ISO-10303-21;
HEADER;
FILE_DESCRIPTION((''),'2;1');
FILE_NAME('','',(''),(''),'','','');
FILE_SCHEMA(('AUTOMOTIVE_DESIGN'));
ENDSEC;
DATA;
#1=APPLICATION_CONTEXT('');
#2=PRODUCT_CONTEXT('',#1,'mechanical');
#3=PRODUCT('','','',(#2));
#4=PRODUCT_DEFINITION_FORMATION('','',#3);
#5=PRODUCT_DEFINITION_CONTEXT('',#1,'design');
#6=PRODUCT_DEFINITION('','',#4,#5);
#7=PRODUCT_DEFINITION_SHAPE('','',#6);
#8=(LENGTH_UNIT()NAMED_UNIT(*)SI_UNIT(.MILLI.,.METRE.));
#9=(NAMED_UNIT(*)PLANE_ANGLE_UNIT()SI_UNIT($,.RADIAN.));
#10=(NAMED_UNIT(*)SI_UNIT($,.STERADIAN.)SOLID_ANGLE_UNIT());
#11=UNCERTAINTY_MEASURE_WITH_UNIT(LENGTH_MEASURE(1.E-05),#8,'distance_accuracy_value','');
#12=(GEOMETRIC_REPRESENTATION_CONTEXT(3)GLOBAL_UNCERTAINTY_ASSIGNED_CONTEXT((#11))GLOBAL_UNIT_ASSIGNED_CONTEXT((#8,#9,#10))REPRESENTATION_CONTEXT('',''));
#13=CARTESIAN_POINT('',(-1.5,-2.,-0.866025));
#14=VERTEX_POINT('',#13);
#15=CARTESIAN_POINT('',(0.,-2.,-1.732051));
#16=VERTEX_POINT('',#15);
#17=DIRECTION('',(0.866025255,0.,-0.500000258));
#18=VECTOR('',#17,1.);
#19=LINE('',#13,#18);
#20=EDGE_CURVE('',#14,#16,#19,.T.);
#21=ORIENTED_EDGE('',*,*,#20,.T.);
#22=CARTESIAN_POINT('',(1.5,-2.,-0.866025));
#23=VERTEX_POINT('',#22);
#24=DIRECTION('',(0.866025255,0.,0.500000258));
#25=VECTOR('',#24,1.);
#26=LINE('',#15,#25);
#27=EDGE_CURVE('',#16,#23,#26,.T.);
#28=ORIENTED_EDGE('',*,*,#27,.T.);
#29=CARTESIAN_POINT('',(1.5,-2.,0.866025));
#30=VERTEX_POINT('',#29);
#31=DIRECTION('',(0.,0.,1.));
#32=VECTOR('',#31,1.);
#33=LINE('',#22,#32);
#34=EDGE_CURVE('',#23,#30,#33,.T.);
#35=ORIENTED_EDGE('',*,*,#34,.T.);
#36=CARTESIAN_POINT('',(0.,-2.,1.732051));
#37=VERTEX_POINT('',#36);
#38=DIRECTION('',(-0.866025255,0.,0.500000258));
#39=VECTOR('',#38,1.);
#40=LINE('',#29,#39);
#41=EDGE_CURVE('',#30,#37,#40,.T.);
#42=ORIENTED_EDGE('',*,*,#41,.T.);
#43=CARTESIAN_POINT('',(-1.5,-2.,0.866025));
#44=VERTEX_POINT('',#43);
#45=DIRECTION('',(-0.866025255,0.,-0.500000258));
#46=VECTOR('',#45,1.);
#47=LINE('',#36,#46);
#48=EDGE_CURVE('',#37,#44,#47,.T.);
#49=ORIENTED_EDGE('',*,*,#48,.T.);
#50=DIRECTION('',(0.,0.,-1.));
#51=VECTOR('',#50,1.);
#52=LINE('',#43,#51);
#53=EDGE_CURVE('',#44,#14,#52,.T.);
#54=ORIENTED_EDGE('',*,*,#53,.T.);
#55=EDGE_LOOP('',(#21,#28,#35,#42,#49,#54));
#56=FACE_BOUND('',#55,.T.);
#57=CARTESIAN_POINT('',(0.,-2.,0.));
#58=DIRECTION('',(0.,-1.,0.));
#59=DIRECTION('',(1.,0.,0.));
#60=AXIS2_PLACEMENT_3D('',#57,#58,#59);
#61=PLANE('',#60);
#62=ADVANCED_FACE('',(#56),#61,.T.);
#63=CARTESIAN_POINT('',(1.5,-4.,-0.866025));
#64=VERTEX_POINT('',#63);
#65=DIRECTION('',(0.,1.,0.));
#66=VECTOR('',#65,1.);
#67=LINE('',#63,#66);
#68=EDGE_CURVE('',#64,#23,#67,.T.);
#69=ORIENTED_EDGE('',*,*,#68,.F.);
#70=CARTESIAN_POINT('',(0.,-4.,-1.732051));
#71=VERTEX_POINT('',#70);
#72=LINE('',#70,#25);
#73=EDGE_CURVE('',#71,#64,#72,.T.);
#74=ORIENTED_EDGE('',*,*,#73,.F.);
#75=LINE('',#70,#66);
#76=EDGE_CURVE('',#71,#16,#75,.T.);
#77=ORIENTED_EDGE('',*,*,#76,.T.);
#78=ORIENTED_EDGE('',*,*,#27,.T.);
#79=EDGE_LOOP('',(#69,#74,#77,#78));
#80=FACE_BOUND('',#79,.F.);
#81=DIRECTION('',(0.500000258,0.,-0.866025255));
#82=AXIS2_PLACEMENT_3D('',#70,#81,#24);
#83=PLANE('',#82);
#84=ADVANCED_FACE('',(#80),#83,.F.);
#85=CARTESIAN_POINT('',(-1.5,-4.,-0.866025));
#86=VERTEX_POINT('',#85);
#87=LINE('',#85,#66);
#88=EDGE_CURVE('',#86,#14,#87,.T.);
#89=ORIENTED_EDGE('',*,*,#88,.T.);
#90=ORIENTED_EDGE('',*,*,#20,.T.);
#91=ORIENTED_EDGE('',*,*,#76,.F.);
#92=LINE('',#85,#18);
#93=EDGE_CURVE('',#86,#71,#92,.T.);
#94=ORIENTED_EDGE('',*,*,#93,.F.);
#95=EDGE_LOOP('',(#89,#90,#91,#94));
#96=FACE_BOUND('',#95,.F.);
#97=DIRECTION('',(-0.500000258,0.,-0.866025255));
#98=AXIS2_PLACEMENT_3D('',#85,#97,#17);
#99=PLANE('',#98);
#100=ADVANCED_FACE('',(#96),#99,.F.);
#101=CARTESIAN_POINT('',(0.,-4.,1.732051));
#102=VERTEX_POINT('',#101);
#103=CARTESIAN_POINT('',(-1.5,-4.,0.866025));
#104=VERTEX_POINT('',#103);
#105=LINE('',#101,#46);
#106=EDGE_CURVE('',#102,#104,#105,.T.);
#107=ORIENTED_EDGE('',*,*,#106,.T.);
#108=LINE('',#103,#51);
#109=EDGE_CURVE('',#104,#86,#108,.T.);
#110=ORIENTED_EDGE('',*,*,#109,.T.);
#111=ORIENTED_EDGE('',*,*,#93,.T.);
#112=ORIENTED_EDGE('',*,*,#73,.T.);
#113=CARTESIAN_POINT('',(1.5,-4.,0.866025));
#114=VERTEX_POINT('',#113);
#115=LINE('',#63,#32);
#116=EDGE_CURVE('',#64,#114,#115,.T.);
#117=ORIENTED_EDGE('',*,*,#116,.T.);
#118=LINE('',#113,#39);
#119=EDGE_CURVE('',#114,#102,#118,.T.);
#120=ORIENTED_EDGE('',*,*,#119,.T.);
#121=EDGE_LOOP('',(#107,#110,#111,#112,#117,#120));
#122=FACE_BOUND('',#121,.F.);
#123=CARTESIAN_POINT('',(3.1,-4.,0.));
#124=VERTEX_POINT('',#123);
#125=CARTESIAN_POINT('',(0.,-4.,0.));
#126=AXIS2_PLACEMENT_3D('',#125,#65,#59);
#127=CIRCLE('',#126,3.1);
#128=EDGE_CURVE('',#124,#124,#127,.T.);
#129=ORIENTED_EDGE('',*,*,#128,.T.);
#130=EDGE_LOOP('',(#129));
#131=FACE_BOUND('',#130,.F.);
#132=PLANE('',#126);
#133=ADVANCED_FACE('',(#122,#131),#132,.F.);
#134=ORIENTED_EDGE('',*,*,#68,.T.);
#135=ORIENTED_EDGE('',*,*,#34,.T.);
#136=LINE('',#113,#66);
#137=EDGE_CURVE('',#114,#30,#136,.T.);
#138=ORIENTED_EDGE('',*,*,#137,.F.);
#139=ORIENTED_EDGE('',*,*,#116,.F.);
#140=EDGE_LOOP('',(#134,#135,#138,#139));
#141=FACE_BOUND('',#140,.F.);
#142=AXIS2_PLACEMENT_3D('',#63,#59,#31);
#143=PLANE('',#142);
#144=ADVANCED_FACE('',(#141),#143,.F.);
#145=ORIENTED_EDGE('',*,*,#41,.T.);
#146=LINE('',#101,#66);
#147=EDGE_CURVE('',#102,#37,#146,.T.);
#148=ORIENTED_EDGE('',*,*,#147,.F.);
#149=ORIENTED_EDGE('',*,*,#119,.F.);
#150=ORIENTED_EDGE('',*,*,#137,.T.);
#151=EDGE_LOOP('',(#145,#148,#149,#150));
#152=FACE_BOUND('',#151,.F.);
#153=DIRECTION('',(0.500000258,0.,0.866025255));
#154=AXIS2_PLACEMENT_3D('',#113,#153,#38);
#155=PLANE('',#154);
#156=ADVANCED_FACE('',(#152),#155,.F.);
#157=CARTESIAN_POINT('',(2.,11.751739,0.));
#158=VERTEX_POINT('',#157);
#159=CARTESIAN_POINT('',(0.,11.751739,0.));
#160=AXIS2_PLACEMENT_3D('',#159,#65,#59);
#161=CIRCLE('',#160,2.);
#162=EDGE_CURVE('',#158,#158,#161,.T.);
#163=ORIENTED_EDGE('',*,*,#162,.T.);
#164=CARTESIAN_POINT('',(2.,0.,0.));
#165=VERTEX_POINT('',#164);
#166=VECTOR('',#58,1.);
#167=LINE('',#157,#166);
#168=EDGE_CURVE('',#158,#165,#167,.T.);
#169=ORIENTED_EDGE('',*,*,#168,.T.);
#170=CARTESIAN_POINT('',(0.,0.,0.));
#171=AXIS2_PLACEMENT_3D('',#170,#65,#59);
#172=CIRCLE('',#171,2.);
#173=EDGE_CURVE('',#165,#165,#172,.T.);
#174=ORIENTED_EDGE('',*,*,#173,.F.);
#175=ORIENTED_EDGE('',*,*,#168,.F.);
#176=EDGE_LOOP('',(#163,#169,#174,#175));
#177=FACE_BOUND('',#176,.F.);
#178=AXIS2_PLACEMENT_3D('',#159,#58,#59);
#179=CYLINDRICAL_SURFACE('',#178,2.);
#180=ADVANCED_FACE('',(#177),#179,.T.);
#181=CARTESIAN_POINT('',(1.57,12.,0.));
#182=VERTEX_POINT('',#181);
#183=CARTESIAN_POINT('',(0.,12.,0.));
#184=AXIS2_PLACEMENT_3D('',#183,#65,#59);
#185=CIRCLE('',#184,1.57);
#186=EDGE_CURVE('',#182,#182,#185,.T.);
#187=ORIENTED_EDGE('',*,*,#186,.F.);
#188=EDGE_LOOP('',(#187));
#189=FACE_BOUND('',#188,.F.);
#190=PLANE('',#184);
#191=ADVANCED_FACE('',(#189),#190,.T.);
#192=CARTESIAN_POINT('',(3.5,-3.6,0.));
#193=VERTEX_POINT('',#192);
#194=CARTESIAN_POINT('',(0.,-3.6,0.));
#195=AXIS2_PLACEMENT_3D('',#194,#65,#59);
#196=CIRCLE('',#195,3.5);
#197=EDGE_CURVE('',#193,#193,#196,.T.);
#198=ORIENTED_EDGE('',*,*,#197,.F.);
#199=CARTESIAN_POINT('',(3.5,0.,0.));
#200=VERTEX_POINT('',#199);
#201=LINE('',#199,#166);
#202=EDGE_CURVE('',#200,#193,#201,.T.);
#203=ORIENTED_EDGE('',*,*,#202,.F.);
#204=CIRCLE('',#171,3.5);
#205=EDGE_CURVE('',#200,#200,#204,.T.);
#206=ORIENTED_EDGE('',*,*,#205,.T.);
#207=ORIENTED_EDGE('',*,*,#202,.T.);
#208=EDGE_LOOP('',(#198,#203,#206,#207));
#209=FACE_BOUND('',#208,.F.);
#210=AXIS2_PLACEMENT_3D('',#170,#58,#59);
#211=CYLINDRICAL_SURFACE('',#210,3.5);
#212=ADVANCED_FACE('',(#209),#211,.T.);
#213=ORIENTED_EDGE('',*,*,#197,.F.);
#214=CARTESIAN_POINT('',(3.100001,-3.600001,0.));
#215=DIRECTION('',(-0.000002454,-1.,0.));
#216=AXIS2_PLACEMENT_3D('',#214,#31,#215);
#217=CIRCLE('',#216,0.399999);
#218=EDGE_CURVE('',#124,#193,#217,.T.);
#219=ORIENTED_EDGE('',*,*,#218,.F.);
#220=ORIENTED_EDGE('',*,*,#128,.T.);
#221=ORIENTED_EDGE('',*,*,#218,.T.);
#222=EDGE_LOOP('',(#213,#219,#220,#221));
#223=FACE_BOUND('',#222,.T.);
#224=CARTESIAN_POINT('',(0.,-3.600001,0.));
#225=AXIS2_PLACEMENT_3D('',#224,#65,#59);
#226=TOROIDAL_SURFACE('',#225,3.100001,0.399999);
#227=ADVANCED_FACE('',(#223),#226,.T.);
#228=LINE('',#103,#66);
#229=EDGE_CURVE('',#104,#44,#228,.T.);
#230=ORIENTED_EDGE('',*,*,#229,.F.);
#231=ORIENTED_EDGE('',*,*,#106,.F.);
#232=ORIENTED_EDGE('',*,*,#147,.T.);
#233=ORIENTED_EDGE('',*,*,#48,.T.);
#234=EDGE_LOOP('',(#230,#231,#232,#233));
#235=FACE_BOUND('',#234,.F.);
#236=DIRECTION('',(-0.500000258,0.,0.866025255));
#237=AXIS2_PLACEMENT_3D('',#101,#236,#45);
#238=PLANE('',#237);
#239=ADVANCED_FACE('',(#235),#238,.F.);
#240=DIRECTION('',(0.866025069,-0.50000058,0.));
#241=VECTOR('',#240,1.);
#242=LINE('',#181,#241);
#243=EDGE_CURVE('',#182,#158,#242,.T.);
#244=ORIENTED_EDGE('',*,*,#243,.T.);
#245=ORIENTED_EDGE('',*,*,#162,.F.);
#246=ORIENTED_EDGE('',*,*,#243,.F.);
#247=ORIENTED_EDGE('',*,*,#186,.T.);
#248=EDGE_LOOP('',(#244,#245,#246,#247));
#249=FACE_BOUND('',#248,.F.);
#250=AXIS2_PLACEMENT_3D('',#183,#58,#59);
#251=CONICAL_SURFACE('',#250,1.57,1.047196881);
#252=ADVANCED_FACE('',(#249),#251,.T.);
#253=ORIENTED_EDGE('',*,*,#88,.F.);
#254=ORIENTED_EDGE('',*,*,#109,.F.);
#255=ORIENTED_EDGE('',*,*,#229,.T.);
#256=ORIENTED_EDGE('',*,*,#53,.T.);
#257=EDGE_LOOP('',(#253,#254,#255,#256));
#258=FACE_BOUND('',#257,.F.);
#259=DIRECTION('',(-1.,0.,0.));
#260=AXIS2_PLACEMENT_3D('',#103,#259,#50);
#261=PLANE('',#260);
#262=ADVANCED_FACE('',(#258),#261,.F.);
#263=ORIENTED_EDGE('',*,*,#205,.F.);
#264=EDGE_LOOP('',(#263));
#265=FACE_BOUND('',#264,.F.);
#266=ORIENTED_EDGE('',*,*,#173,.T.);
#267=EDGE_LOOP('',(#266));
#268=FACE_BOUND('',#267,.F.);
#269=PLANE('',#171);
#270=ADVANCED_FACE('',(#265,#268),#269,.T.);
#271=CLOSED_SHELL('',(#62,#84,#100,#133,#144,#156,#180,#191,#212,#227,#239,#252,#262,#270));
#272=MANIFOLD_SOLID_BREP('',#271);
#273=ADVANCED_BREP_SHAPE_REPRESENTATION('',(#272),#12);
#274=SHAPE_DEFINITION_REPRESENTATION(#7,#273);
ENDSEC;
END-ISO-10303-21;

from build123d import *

# Parameters (mm, degrees)
POCKET_DEPTH = 2


with BuildPart() as part:
    # Sketch → Revolution (revolve)
    with BuildSketch(Plane.XY):
        with BuildLine():
            Line((2, 0), (3.5, 0))
            Line((3.5, 0), (3.5, -3.6))
            ThreePointArc((3.1, -4), (3.382843, -3.882843), (3.5, -3.6))
            Line((3.1, -4), (0, -4))
            Line((0, -4), (0, 12))
            Line((0, 12), (1.57, 12))
            Line((1.57, 12), (2, 11.751739))
            Line((2, 11.751739), (2, 0))
        make_face()
    revolve(axis=Axis((0, 0, 0), (0, 1, 0)))

    # Sketch001 → Pocket (cut)
    with BuildSketch(Plane.XZ.offset(4)):
        Polygon((-1.5, 0.866025), (-1.5, -0.866025), (0, -1.732051), (1.5, -0.866025), (1.5, 0.866025), (0, 1.732051), align=None)
    extrude(amount=-POCKET_DEPTH, mode=Mode.SUBTRACT)


solid = part.part
